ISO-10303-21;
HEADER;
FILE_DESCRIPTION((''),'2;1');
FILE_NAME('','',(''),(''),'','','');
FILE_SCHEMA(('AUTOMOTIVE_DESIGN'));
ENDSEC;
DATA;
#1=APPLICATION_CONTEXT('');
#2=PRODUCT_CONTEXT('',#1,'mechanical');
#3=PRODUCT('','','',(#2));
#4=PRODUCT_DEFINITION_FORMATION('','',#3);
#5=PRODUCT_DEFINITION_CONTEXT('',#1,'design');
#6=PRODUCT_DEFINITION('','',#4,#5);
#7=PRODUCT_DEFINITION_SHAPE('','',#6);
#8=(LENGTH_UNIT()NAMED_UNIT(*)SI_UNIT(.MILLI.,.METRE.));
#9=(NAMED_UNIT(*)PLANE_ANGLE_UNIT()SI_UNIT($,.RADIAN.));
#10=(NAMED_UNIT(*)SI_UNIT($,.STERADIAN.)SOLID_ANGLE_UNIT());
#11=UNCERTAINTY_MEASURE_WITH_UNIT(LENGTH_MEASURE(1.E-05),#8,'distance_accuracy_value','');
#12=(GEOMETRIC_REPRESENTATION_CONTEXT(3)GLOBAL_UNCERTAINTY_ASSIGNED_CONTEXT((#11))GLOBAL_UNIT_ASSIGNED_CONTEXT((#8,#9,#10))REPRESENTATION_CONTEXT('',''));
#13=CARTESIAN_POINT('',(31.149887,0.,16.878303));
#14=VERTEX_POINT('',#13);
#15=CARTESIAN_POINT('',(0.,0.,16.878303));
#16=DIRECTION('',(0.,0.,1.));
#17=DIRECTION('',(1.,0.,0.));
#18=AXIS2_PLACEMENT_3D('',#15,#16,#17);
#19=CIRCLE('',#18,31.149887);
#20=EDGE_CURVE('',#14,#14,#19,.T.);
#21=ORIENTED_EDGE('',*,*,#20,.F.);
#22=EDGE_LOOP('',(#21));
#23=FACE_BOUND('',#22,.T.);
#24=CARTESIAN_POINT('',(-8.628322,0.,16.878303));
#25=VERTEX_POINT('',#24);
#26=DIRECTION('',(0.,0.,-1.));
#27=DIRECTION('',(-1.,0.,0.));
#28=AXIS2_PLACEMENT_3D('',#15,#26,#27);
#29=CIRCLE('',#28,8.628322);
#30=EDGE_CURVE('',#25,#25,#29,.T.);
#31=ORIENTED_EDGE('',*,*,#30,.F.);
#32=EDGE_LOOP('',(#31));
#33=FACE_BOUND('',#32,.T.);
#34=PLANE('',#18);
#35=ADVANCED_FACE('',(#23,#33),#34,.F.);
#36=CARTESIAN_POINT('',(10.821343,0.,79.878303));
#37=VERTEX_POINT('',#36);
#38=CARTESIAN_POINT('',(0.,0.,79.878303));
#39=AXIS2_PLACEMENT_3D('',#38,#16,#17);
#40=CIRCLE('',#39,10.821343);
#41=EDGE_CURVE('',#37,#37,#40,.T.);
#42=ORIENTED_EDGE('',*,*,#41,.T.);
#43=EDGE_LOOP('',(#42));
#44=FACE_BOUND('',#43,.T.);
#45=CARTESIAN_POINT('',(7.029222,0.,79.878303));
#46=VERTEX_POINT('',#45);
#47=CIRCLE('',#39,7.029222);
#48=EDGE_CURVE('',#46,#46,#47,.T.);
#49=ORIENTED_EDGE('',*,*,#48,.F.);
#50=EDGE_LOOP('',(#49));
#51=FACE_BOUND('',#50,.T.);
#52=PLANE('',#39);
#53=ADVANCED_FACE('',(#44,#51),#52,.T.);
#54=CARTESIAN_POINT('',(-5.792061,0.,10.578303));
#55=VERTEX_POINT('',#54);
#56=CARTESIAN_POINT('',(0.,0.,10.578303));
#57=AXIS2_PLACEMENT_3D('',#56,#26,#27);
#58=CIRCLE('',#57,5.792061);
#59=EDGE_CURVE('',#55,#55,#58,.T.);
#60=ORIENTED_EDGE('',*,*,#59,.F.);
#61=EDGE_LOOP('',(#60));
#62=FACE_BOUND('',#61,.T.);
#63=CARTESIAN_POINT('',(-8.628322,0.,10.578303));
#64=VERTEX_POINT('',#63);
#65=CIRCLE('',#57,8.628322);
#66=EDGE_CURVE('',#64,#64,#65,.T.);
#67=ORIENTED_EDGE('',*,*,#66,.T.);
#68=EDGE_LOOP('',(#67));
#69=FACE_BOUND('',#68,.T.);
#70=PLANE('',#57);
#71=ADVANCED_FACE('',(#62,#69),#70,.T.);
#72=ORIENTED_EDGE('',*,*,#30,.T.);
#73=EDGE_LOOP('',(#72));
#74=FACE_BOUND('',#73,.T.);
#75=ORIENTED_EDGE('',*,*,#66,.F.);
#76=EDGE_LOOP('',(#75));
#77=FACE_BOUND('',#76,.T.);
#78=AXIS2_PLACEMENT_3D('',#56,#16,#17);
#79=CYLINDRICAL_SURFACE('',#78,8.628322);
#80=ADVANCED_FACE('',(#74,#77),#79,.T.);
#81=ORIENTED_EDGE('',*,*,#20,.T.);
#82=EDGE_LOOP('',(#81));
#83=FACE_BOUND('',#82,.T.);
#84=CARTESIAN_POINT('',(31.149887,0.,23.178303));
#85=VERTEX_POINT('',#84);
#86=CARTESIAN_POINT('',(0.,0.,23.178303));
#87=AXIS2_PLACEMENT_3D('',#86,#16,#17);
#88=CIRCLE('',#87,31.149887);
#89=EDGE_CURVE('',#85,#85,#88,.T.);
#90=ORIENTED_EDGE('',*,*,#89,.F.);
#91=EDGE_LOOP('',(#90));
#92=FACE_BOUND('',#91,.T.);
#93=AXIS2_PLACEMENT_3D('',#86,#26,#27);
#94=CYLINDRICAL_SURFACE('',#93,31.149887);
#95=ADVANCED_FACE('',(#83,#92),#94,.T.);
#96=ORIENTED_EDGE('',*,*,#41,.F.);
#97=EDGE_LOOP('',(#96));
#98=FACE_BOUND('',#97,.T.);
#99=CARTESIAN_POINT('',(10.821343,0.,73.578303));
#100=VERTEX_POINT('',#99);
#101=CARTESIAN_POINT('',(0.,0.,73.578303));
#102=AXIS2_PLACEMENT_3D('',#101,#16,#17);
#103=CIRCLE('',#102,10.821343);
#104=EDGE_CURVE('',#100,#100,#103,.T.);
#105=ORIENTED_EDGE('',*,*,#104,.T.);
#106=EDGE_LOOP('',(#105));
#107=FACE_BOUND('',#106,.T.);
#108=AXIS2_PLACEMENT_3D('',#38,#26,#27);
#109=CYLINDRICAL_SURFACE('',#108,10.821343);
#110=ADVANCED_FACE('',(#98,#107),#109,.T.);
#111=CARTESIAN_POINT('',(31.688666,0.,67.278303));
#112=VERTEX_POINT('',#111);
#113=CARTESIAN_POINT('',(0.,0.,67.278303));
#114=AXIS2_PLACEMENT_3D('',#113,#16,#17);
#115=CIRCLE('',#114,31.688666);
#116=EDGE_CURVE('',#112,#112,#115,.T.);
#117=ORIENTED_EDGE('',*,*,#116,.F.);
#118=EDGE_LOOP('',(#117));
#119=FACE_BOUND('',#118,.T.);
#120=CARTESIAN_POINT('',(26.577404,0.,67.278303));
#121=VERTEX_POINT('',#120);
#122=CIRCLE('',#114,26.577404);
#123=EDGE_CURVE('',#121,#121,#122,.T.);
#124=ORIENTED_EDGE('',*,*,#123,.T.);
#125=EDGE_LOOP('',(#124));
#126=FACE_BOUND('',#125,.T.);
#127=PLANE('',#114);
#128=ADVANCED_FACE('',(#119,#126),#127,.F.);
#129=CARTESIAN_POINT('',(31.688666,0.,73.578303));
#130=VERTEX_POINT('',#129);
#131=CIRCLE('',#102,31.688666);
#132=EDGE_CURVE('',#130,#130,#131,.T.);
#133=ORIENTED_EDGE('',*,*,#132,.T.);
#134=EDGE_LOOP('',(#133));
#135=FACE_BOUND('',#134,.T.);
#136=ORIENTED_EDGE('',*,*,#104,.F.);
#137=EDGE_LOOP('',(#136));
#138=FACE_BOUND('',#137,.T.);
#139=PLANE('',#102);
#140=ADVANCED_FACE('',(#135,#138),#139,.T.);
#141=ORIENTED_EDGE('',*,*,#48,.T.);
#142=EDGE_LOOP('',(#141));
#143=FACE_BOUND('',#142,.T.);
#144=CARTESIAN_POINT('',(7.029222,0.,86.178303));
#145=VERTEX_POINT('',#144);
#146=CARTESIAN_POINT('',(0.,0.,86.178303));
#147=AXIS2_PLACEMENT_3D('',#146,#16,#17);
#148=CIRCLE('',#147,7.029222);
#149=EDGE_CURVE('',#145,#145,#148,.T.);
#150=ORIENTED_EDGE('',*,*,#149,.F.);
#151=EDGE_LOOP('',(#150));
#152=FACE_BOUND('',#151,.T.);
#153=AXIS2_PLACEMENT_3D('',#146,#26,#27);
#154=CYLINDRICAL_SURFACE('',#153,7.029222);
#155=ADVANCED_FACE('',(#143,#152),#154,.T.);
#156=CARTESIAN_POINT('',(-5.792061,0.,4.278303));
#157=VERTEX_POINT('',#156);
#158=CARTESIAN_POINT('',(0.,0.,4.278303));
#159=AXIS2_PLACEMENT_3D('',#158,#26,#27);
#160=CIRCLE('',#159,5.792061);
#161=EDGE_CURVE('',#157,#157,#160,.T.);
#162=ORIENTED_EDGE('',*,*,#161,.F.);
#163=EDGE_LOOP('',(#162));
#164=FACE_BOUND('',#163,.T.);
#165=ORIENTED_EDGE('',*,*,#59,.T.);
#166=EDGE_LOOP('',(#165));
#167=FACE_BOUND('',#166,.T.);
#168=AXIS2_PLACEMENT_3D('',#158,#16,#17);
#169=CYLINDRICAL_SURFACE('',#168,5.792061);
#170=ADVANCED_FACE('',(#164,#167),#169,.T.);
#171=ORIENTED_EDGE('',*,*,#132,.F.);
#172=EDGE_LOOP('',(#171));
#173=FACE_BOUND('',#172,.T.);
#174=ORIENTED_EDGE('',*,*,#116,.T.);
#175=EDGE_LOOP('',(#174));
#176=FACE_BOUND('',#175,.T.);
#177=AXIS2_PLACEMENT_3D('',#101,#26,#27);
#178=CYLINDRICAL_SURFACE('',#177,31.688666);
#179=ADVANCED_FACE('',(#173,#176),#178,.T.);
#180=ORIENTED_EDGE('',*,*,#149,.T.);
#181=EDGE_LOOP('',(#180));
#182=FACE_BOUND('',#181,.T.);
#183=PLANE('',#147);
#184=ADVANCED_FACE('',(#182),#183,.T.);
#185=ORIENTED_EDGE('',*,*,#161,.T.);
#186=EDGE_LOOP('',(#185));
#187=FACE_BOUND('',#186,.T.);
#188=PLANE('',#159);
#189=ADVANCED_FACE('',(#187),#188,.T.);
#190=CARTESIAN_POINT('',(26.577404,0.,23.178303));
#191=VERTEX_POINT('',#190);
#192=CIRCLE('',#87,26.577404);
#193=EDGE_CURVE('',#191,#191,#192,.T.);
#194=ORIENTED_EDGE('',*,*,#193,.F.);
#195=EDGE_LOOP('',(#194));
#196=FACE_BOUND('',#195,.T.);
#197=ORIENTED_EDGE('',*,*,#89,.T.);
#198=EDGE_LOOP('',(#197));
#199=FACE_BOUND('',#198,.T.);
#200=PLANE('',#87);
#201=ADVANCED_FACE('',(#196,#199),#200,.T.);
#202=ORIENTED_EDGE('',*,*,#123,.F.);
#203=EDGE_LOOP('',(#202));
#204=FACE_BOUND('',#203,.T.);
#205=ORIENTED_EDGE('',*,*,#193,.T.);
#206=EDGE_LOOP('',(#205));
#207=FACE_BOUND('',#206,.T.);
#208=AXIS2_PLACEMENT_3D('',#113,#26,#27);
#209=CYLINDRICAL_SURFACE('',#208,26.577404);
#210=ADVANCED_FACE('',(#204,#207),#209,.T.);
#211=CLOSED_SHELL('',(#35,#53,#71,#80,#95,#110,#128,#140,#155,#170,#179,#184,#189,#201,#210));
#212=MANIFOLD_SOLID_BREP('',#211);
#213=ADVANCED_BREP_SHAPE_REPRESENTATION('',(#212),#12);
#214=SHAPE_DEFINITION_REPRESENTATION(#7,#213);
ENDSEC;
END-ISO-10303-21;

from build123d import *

# Parameters (mm, degrees)
SKETCH1_R           = 49.444265543
BOSS_EXTRUDE1_DEPTH = 10
SKETCH4_R           = 42.186355854
BOSS_EXTRUDE2_DEPTH = 70
SKETCH5_R           = 50.299469204
BOSS_EXTRUDE3_DEPTH = 10
SKETCH6_R           = 13.695749192
BOSS_EXTRUDE4_DEPTH = 10
SKETCH7_R           = 9.193746995
BOSS_EXTRUDE5_DEPTH = 10
SKETCH8_R           = 17.176734278
BOSS_EXTRUDE6_DEPTH = 10
SKETCH9_R           = 11.157494919
BOSS_EXTRUDE7_DEPTH = 10
SCALE1_SCALE        = 0.9
SCALE2_SCALE        = 0.7


with BuildPart() as part:
    # Sketch1 → Boss-Extrude1 (new body)
    with BuildSketch(Plane.XY):
        Circle(SKETCH1_R)
    extrude(amount=BOSS_EXTRUDE1_DEPTH)

    # Sketch4 → Boss-Extrude2 (add)
    with BuildSketch(Plane.XY.offset(10)):
        Circle(SKETCH4_R)
    extrude(amount=BOSS_EXTRUDE2_DEPTH)

    # Sketch5 → Boss-Extrude3 (add)
    with BuildSketch(Plane.XY.offset(80)):
        Circle(SKETCH5_R)
    extrude(amount=BOSS_EXTRUDE3_DEPTH)

    # Sketch6 → Boss-Extrude4 (add)
    with BuildSketch(Plane(origin=(0, 0, 0), x_dir=(-1, 0, 0), z_dir=(0, 0, -1))):
        Circle(SKETCH6_R)
    extrude(amount=BOSS_EXTRUDE4_DEPTH)

    # Sketch7 → Boss-Extrude5 (add)
    with BuildSketch(Plane(origin=(0, 0, -10), x_dir=(-1, 0, 0), z_dir=(0, 0, -1))):
        Circle(SKETCH7_R)
    extrude(amount=BOSS_EXTRUDE5_DEPTH)

    # Sketch8 → Boss-Extrude6 (add)
    with BuildSketch(Plane.XY.offset(90)):
        Circle(SKETCH8_R)
    extrude(amount=BOSS_EXTRUDE6_DEPTH)

    # Sketch9 → Boss-Extrude7 (add)
    with BuildSketch(Plane.XY.offset(100)):
        Circle(SKETCH9_R)
    extrude(amount=BOSS_EXTRUDE7_DEPTH)


with BuildPart() as part_1:
    # Scale1: scaled about (0, 0, 45.617034172)
    add(part.part.scale(SCALE1_SCALE).moved(Location((0, 0, 4.561703417))))


with BuildPart() as part_2:
    # Scale2: scaled about (0, 0, 45.617034172)
    add(part_1.part.scale(SCALE2_SCALE).moved(Location((0, 0, 13.685110252))))


solid = part_2.part
